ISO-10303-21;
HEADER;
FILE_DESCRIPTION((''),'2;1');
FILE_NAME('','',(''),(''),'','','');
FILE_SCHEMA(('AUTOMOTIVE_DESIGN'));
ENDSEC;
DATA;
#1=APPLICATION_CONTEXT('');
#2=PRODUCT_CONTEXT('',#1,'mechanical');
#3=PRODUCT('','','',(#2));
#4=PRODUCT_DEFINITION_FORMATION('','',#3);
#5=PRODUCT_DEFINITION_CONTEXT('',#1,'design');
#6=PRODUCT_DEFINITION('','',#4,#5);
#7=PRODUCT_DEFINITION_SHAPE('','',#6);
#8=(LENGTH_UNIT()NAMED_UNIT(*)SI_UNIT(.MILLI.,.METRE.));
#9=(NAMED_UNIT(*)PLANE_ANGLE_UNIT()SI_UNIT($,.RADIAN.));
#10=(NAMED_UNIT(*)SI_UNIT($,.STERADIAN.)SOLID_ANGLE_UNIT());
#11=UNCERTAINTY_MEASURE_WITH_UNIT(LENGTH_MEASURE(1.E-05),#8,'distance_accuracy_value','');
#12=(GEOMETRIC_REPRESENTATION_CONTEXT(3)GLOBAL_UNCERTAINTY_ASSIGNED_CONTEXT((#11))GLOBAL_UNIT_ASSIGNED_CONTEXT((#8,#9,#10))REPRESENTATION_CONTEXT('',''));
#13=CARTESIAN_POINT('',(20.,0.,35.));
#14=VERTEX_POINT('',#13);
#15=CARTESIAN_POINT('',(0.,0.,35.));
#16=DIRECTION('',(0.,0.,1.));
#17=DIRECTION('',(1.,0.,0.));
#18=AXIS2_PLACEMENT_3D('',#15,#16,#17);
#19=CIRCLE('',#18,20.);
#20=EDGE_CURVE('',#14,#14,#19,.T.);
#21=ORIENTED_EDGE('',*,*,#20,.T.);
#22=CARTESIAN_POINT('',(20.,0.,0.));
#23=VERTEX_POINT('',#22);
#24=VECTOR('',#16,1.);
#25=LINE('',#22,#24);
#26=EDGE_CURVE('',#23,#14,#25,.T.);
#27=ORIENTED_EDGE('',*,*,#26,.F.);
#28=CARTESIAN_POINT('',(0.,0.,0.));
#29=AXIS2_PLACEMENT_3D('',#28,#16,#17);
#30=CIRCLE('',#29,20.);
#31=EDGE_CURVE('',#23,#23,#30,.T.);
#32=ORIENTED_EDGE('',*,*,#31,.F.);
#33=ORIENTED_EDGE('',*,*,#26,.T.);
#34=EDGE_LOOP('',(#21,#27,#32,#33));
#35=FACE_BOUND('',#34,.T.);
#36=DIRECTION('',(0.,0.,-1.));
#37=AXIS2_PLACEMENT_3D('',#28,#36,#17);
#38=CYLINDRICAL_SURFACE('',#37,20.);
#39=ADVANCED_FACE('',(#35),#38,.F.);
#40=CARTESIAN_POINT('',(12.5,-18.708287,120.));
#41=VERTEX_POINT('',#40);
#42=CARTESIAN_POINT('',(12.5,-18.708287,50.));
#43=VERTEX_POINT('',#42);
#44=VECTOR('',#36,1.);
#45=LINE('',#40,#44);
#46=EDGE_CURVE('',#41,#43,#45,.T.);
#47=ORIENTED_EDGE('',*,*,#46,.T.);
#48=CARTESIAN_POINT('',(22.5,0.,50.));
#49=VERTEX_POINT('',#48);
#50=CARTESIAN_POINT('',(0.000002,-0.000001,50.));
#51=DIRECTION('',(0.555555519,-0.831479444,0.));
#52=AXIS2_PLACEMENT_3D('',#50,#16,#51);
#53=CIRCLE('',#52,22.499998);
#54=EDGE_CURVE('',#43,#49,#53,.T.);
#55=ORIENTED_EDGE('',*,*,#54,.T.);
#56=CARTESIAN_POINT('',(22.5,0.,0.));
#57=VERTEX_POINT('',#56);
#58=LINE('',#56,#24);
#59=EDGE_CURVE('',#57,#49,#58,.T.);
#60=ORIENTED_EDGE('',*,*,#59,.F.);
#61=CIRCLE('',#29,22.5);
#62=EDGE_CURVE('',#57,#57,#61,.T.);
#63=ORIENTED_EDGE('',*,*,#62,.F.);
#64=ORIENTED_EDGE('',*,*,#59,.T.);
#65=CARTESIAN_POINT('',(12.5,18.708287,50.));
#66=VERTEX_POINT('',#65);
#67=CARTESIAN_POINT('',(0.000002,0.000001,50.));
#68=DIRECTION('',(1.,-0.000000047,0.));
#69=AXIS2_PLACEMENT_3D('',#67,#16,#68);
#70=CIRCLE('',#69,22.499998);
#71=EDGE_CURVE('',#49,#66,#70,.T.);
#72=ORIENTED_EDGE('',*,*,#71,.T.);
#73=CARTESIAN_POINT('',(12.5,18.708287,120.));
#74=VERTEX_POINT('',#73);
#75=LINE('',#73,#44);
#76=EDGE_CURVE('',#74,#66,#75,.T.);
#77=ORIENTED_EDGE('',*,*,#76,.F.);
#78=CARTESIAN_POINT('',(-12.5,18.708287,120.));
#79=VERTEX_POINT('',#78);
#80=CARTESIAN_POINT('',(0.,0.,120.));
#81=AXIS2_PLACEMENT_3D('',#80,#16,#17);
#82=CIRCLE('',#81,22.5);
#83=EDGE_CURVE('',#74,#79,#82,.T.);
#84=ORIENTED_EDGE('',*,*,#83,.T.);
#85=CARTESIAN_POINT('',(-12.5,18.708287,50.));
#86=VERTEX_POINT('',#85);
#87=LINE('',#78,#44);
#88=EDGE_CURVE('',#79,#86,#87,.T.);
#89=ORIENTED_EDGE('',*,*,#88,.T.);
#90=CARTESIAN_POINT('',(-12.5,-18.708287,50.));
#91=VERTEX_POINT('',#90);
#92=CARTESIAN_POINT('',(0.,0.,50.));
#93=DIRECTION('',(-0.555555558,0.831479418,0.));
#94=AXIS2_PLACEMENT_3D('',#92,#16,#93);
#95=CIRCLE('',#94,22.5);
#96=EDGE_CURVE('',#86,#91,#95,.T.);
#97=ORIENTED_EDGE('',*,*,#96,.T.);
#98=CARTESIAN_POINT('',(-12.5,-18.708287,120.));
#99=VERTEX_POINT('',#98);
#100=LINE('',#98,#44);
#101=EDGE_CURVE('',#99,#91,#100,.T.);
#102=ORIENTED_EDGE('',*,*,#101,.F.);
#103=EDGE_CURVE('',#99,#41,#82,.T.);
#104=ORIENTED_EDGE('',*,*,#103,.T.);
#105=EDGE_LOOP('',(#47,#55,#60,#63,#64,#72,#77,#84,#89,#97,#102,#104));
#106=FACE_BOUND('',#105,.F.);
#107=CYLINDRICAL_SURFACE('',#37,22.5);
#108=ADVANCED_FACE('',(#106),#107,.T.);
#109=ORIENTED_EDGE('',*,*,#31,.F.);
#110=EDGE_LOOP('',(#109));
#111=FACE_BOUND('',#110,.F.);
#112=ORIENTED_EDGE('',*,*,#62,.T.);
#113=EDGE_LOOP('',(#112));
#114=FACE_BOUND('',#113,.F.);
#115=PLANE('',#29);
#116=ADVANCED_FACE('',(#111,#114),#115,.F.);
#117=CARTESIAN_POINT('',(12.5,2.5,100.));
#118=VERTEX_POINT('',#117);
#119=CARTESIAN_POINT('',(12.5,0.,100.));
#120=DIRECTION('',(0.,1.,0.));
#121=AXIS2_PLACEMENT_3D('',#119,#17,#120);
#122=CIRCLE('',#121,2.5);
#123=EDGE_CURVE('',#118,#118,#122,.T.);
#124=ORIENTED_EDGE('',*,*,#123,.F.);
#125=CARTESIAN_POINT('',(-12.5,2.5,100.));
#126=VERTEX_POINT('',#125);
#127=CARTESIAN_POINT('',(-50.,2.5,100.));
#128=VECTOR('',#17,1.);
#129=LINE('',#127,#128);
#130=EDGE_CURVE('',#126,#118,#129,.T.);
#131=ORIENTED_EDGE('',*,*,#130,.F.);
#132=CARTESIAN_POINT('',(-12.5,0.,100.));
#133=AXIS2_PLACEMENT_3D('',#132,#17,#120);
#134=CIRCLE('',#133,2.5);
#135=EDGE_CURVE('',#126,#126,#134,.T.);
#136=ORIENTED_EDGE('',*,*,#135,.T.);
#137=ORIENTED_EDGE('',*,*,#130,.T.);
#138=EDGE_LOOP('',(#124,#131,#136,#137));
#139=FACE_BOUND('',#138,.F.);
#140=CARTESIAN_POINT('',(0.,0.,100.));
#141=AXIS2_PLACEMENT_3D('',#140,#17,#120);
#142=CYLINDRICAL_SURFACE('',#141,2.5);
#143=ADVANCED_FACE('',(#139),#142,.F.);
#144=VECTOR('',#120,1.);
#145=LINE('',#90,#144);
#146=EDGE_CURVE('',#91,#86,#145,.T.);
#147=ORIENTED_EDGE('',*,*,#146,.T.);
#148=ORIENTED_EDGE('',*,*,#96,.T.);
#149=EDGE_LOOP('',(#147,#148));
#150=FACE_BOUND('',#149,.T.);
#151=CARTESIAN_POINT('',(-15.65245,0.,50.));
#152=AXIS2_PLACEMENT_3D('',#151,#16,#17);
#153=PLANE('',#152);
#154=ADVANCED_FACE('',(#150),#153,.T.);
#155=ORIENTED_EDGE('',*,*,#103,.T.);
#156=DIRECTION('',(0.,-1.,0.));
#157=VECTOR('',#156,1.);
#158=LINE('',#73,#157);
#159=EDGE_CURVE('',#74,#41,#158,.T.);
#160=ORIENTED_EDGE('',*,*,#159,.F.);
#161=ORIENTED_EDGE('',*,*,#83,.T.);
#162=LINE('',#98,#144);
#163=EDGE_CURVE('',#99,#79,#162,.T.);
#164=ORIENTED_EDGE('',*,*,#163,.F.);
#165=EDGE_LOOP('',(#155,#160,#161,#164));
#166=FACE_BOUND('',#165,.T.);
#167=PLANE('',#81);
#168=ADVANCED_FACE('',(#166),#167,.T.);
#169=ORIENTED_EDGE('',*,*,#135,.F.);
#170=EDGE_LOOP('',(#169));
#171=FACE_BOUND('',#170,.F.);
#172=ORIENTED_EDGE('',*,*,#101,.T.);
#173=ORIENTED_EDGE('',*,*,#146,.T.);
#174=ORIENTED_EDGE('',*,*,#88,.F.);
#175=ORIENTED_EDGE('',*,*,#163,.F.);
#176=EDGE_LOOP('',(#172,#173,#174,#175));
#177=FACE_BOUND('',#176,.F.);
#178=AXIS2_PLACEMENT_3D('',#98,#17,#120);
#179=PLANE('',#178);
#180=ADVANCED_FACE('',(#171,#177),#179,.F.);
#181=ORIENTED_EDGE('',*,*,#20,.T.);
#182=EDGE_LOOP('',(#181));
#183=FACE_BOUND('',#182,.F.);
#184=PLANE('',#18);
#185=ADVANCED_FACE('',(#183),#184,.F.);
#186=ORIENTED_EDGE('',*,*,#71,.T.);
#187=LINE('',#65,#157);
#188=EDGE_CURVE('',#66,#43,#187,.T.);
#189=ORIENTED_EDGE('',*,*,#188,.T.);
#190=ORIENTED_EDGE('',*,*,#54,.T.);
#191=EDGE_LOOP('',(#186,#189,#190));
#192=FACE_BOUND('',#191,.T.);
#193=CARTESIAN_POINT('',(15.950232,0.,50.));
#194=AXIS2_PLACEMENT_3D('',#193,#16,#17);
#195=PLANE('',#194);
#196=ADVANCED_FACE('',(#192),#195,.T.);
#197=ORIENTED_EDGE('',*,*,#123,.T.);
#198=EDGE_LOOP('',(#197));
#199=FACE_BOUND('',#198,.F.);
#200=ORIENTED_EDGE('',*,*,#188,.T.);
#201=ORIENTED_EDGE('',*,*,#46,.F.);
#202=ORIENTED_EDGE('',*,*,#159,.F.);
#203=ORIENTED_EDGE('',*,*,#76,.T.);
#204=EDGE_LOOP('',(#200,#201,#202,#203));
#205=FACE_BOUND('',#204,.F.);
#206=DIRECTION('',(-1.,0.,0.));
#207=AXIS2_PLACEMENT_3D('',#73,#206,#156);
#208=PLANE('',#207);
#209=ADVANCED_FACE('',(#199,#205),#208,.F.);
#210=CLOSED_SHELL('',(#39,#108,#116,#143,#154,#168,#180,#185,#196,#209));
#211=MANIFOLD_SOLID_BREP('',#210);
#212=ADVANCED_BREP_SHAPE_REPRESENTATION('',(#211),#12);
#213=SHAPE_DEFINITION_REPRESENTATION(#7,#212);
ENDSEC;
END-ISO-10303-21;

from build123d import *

# Parameters (mm, degrees)
F0_R     = 22.5
F1_DEPTH = 120
F3_DEPTH = 70
F4_R     = 20
F5_DEPTH = 35
F6_R     = 2.5
F7_DEPTH = 50


with BuildPart() as f1:
    # F0 (on Top) → F1 (new body)
    with BuildSketch(Plane.XY):
        Circle(F0_R)
    extrude(amount=F1_DEPTH)

    # F2 (on face) → F3 (cut)
    with BuildSketch(Plane.XY.offset(120)):
        with BuildLine():
            ThreePointArc((22.5, 0), (19.843135, 10.606602), (12.5, 18.708287))
            Line((12.5, 18.708287), (12.5, -18.708287))
            ThreePointArc((12.5, -18.708287), (19.843135, -10.606602), (22.5, 0))
        make_face()
        with BuildLine():
            Line((-12.5, -18.708287), (-12.5, 18.708287))
            ThreePointArc((-12.5, 18.708287), (-22.5, 0), (-12.5, -18.708287))
        make_face()
    extrude(amount=-F3_DEPTH, mode=Mode.SUBTRACT)

    # F4 (on Top) → F5 (cut)
    with BuildSketch(Plane.XY):
        Circle(F4_R)
    extrude(amount=F5_DEPTH, mode=Mode.SUBTRACT)

    # F6 (on Right) → F7 (cut, symmetric)
    with BuildSketch(Plane.YZ):
        with Locations((0, 100)):
            Circle(F6_R)
    extrude(amount=F7_DEPTH, both=True, mode=Mode.SUBTRACT)


solid = f1.part
